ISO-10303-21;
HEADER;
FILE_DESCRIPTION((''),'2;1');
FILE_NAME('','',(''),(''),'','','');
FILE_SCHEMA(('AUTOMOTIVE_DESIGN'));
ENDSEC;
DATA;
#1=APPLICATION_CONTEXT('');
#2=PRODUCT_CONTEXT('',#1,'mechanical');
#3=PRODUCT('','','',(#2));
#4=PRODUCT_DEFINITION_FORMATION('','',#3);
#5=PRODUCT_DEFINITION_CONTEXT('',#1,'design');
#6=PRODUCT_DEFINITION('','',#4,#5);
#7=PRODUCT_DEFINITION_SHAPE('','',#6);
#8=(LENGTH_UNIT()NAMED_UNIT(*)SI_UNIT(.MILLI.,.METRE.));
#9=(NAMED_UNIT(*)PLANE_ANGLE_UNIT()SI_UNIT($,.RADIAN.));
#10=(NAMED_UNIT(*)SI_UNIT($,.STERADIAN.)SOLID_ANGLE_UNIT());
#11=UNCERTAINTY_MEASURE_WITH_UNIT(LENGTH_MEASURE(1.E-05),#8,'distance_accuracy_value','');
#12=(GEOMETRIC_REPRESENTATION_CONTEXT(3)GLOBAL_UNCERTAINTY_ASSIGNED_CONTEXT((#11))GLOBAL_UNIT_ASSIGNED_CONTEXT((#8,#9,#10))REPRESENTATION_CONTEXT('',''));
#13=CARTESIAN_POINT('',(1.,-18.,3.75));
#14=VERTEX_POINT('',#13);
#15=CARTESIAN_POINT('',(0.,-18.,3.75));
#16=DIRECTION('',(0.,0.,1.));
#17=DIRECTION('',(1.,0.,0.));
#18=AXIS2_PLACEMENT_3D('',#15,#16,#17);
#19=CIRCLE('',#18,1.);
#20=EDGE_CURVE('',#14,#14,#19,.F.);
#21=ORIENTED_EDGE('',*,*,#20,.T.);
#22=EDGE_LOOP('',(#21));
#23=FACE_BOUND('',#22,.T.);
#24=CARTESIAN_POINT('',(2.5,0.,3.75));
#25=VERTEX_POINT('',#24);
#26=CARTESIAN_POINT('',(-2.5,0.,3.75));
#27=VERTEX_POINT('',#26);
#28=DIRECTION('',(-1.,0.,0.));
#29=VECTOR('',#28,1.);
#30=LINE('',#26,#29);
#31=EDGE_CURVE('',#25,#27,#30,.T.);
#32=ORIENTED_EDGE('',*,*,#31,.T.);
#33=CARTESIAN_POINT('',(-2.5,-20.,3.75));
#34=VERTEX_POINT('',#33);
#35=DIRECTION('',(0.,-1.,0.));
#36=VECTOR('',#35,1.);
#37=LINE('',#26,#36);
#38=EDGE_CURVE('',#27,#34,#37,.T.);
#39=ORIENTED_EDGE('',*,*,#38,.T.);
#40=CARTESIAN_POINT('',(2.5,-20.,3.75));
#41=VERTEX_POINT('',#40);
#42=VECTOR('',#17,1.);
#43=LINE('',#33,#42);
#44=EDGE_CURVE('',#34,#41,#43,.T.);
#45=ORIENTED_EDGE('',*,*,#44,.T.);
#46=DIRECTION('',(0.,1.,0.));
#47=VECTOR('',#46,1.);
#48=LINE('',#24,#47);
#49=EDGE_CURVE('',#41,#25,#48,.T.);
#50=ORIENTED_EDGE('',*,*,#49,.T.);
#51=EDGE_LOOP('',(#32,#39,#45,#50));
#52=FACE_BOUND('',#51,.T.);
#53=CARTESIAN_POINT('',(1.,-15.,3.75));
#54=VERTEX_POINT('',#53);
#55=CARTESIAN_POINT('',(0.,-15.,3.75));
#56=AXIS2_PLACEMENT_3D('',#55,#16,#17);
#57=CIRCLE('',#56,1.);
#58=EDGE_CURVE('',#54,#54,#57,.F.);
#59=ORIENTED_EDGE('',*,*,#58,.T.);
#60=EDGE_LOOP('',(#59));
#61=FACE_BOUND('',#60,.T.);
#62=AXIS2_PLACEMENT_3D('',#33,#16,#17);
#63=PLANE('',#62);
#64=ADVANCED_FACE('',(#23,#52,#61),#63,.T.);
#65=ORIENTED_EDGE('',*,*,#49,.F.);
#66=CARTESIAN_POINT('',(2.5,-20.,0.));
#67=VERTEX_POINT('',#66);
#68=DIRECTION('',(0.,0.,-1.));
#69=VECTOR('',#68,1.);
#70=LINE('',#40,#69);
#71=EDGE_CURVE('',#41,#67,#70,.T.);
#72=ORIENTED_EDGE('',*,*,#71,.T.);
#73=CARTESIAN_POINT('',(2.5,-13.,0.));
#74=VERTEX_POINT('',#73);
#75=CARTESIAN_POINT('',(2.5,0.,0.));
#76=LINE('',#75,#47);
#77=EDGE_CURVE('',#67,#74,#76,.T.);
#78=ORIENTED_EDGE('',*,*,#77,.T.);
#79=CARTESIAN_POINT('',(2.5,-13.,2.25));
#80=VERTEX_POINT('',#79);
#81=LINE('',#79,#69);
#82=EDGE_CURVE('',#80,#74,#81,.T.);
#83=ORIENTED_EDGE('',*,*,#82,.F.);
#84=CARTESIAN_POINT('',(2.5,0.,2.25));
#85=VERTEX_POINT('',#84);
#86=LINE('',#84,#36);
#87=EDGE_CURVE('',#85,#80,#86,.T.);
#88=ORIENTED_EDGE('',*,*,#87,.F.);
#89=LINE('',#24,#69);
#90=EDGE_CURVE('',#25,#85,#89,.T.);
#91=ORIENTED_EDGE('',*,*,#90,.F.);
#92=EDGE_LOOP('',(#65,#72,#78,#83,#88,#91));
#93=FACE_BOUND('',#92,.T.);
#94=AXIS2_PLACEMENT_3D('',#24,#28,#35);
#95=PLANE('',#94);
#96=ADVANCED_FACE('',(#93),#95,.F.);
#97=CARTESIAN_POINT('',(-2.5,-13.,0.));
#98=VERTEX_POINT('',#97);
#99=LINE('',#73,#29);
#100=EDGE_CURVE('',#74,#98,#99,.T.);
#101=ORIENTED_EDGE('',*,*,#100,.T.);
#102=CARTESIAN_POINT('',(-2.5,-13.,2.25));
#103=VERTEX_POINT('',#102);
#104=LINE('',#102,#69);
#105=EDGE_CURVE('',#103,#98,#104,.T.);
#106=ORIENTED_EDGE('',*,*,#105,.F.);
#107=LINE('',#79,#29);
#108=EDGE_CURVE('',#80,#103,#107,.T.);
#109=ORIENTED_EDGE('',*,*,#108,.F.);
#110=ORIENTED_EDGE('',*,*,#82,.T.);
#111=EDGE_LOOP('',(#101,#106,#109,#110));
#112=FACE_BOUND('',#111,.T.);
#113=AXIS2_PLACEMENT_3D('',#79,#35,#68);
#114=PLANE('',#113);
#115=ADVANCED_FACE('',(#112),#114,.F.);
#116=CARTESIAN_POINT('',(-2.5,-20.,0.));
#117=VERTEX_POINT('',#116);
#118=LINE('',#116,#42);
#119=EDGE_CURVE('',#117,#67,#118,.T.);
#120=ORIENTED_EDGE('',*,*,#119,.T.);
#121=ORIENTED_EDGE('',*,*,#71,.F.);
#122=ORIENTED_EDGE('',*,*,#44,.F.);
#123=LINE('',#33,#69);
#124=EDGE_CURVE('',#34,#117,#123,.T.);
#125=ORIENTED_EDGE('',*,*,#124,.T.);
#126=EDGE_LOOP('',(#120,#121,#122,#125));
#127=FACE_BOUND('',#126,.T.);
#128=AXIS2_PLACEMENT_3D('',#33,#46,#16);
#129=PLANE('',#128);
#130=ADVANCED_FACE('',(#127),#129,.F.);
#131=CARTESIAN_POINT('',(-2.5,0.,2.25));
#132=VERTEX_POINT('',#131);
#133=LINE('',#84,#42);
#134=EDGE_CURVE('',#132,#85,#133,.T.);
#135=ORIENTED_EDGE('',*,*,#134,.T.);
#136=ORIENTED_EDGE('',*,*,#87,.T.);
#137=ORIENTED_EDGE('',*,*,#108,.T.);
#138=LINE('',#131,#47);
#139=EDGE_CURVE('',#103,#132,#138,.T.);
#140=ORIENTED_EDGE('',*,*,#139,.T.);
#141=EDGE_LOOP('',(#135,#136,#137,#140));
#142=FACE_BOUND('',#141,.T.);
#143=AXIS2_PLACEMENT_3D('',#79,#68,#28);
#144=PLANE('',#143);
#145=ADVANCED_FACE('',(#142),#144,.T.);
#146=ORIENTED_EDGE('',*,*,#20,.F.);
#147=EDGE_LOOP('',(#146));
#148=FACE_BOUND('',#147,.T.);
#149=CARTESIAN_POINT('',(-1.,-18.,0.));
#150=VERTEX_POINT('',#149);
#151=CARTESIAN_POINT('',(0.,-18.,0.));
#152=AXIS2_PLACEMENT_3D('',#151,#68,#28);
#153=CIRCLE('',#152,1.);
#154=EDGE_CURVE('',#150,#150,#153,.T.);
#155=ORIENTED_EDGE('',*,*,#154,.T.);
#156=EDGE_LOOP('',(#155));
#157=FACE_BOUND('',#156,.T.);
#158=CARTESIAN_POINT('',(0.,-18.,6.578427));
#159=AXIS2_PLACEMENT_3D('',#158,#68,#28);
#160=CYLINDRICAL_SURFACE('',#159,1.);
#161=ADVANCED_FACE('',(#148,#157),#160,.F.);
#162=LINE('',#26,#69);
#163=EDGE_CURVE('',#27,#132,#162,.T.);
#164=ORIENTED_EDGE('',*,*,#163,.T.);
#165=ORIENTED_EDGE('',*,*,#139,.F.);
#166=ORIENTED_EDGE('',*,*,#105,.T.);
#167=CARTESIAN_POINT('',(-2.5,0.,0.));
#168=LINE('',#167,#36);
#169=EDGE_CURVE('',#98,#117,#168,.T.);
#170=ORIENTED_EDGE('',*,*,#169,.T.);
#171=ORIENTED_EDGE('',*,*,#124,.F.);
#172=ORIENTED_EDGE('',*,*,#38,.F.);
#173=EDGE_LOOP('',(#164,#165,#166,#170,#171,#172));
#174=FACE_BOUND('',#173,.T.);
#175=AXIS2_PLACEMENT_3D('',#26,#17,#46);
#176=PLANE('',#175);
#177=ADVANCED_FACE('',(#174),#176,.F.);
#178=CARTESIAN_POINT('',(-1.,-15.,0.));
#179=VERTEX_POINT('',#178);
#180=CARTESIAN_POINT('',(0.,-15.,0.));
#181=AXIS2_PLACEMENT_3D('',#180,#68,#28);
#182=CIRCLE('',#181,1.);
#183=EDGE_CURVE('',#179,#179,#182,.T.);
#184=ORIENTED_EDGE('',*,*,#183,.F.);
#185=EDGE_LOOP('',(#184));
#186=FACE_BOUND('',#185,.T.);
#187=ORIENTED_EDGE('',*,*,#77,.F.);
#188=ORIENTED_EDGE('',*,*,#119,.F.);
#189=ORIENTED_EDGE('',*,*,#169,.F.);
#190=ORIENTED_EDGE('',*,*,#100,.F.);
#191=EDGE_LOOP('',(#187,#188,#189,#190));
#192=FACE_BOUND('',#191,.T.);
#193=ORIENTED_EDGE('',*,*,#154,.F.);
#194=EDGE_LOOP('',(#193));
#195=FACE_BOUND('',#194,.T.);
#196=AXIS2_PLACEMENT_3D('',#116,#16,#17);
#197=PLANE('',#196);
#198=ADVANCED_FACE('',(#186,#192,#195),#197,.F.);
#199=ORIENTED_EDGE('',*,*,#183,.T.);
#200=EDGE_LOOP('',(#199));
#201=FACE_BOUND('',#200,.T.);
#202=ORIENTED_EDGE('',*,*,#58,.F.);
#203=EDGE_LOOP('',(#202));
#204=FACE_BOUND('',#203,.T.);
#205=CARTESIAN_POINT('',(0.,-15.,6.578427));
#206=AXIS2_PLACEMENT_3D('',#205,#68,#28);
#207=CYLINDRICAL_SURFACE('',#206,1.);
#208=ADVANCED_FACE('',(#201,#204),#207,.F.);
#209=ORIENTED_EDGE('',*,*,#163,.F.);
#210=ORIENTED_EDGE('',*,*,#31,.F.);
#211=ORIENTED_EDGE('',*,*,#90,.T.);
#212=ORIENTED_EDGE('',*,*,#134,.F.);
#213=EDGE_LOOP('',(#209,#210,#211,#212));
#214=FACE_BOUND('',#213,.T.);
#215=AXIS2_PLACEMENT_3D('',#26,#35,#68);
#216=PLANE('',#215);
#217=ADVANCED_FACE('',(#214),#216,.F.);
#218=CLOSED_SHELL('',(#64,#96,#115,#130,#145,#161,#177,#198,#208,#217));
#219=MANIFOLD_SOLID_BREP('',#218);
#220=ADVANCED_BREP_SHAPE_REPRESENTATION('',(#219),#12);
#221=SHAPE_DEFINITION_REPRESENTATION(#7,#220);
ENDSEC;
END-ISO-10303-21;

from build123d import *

# Parameters (mm, degrees)
SKETCH2_W      = 5
SKETCH2_H      = 20
EXTRUDE1_DEPTH = 3.75
SKETCH3_W      = 5
SKETCH3_H      = 13
EXTRUDE2_DEPTH = 2.25
SKETCH4_R      = 1
EXTRUDE3_DEPTH = 3.75


with BuildPart() as part:
    # Sketch2 → Extrude1 (new body)
    with BuildSketch(Plane.XY):
        with Locations((0, -10)):
            Rectangle(SKETCH2_W, SKETCH2_H)
    extrude(amount=EXTRUDE1_DEPTH)

    # Sketch3 → Extrude2 (cut)
    with BuildSketch(Plane(origin=(0, 0, 0), x_dir=(-1, 0, 0), z_dir=(0, 0, -1))):
        with Locations((0, -6.5)):
            Rectangle(SKETCH3_W, SKETCH3_H)
    extrude(amount=-EXTRUDE2_DEPTH, mode=Mode.SUBTRACT)

    # Sketch4 → Extrude3 (cut)
    with BuildSketch(Plane(origin=(0, 0, 0), x_dir=(-1, 0, 0), z_dir=(0, 0, -1))):
        with Locations((0, -18)):
            Circle(SKETCH4_R)
        with Locations((0, -15)):
            Circle(SKETCH4_R)
    extrude(amount=-EXTRUDE3_DEPTH, mode=Mode.SUBTRACT)


solid = part.part
